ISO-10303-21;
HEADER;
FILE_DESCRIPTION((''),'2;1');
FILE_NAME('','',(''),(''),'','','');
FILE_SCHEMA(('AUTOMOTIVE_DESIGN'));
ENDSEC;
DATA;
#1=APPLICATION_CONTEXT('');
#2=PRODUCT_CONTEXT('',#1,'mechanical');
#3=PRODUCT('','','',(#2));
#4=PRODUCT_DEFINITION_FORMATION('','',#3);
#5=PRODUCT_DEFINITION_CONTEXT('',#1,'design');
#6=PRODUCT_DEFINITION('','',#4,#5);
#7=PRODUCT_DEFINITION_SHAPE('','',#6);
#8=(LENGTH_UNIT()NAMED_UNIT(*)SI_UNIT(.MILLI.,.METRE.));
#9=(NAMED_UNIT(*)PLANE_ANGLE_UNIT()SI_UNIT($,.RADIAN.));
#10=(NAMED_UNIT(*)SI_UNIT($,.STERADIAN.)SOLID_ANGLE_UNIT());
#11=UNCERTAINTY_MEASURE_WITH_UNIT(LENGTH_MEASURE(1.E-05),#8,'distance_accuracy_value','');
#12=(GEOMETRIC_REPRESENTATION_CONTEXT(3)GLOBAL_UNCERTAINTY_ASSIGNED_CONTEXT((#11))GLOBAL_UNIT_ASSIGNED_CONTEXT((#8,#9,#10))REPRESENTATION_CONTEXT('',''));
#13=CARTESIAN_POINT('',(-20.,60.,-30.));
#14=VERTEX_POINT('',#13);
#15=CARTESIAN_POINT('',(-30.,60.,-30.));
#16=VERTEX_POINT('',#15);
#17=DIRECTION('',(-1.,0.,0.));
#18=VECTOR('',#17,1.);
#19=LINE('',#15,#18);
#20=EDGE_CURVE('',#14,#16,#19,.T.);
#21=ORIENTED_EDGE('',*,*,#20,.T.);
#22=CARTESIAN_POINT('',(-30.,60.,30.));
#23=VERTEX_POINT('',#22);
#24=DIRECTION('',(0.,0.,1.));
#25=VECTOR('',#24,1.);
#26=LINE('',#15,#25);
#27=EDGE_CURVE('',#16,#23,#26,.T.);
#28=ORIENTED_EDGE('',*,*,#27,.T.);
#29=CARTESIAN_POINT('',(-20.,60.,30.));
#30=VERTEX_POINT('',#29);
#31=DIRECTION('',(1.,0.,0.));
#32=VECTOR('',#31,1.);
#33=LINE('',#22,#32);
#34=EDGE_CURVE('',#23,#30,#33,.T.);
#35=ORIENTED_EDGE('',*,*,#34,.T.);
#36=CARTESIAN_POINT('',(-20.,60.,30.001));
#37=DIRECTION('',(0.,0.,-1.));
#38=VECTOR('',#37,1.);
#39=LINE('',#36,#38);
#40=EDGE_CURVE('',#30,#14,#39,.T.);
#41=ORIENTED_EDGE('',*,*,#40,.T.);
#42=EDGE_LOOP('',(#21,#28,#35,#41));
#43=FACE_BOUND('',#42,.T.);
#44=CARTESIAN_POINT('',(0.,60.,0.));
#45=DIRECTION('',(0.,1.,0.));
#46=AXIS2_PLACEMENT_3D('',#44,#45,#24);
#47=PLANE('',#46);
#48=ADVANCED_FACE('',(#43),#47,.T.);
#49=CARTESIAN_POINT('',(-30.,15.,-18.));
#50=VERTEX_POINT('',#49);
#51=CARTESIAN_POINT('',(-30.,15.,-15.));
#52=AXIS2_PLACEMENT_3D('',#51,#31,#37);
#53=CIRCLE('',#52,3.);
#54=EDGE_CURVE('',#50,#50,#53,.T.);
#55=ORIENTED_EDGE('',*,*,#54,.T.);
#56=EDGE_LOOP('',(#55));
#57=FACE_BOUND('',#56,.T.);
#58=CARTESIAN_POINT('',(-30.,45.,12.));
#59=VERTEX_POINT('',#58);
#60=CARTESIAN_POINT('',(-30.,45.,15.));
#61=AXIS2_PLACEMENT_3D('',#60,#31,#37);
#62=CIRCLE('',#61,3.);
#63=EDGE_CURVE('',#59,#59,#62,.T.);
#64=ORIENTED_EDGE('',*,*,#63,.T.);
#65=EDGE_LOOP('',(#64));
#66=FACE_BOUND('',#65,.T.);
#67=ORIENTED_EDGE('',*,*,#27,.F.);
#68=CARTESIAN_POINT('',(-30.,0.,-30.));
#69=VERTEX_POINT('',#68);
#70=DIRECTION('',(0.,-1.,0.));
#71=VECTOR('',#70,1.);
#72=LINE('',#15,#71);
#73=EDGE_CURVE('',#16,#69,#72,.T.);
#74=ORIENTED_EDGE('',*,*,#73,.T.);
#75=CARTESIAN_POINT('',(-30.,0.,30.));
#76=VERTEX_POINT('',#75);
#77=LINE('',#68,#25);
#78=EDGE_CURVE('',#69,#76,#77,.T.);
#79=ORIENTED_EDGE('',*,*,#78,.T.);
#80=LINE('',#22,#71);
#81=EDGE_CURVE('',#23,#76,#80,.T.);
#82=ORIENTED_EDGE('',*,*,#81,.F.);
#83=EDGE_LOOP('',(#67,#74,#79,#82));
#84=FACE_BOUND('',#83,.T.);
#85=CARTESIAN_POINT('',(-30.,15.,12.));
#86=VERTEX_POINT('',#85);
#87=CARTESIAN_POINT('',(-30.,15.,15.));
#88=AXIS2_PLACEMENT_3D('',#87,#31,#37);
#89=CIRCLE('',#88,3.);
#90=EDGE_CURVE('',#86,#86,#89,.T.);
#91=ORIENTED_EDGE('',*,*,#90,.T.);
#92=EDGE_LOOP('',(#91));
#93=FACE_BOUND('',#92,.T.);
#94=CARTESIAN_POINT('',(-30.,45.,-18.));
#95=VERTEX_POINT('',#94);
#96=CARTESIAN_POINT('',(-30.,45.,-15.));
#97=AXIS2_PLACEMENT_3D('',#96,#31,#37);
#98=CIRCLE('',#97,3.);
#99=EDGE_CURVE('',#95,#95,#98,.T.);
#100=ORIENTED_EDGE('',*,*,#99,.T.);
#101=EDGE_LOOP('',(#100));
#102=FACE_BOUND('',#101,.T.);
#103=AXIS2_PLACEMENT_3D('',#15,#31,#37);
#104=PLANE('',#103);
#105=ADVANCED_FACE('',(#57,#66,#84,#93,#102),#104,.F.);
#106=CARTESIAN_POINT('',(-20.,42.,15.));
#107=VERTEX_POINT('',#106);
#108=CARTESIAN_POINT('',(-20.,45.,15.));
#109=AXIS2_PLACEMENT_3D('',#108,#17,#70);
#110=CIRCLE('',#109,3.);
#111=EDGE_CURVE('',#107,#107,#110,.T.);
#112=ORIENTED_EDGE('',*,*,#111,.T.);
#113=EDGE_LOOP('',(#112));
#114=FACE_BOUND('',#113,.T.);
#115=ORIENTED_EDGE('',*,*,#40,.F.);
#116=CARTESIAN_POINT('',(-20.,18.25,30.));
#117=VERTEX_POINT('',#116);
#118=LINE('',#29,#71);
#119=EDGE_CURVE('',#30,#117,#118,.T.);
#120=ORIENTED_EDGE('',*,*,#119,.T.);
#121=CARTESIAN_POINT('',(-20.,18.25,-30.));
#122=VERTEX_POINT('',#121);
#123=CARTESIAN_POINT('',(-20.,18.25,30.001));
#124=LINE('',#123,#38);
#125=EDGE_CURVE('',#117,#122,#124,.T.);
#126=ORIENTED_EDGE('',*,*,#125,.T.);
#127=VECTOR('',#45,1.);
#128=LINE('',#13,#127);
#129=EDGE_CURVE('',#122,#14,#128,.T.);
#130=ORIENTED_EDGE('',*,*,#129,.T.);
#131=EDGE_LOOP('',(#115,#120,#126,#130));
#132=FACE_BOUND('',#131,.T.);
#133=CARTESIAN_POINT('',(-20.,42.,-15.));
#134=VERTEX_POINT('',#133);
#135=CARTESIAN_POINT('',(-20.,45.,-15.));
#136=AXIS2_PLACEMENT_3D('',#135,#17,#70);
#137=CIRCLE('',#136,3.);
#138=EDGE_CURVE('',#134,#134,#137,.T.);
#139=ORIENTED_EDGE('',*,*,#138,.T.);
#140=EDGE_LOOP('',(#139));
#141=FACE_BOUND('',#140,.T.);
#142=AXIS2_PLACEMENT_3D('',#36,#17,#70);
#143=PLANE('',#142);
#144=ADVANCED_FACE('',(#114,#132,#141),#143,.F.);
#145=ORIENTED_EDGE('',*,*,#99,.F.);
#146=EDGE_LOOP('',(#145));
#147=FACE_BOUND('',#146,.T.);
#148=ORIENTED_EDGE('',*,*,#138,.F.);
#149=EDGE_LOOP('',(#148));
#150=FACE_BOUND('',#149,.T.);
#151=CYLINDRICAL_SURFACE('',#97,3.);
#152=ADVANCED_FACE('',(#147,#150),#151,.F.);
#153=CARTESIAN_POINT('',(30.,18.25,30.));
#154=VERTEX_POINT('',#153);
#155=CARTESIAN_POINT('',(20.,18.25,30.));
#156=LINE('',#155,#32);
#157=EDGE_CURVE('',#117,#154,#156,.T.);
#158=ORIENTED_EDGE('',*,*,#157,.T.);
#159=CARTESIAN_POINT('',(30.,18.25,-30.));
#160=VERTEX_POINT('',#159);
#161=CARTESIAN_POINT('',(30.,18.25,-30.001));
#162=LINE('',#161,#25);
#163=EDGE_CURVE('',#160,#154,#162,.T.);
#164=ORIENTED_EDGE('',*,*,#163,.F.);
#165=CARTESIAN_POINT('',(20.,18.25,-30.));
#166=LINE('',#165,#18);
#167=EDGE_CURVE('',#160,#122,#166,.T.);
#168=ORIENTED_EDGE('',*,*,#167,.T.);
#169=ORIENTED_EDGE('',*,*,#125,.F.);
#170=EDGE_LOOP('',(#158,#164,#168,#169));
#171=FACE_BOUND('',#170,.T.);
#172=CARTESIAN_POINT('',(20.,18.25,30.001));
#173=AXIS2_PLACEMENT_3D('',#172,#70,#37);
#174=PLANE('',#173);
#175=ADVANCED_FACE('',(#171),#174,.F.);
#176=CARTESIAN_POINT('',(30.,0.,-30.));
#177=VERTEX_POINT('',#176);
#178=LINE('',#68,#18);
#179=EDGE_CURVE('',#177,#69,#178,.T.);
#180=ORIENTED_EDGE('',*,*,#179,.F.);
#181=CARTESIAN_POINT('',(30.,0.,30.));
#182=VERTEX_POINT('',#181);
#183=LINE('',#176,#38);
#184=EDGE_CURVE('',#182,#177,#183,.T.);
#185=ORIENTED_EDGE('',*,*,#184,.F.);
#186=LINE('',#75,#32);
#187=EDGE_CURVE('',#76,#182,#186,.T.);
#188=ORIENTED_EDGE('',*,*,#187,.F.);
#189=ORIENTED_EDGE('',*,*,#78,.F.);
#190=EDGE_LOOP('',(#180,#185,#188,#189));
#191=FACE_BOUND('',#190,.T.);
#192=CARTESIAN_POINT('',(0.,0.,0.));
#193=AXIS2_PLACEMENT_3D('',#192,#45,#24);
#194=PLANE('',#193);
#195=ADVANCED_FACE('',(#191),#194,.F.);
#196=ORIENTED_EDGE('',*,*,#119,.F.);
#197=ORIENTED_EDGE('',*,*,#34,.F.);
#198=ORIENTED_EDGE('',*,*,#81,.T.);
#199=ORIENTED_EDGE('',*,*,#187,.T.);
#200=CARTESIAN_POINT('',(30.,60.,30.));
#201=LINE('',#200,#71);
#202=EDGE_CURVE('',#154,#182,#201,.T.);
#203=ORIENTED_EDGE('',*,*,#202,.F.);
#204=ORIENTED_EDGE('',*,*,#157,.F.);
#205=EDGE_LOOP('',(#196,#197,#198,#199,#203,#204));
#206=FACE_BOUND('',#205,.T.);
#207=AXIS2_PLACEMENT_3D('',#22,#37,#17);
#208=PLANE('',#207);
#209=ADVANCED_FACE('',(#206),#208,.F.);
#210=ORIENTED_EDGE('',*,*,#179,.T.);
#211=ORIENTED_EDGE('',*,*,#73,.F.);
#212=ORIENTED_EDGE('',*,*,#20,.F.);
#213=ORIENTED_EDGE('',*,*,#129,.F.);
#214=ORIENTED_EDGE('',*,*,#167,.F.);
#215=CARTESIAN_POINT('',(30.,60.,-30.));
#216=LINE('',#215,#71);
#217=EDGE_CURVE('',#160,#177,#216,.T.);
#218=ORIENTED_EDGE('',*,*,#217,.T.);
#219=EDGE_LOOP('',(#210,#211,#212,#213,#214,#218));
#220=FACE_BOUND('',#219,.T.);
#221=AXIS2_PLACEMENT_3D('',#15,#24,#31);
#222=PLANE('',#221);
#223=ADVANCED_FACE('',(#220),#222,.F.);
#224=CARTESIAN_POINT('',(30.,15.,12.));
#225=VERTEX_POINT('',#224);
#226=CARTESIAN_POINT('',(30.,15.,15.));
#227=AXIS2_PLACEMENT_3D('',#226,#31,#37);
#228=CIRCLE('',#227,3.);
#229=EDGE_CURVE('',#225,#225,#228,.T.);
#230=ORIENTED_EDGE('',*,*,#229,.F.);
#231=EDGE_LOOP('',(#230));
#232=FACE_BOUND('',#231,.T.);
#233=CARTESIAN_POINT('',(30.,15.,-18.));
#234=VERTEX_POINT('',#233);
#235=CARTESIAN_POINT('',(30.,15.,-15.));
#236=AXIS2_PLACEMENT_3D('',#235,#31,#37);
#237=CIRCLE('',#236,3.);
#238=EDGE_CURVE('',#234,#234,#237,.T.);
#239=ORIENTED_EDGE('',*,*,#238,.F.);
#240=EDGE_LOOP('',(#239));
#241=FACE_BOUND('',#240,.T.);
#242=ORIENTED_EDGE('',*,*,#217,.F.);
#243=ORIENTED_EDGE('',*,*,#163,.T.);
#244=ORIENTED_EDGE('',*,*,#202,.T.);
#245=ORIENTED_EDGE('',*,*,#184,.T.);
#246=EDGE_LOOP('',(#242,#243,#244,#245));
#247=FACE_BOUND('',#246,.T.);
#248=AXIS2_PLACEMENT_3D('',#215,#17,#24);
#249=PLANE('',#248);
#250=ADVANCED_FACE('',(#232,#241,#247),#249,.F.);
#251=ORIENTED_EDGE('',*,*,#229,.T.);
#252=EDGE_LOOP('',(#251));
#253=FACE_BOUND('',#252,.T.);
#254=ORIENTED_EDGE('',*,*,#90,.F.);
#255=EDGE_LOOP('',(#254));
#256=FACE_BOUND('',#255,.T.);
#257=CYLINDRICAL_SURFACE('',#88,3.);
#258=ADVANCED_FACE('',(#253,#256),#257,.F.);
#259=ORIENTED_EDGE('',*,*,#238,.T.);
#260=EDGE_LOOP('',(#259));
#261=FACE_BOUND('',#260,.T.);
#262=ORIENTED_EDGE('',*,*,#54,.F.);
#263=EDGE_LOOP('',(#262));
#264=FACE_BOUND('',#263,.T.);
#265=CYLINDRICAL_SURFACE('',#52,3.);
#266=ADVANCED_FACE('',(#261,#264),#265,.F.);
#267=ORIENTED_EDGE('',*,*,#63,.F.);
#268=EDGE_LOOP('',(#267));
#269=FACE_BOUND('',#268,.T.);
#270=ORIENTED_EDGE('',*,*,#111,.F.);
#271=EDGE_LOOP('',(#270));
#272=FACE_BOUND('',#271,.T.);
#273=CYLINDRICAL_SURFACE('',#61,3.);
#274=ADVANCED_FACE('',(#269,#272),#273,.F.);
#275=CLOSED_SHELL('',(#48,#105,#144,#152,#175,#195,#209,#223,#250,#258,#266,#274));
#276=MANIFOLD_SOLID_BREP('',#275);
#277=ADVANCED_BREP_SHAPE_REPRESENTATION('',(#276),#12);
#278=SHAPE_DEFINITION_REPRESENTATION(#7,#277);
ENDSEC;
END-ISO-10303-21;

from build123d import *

# Parameters (mm, degrees)
SKETCH1_W            = 60
SKETCH1_H            = 60
BOSS_EXTRUDE1_DEPTH  = 60
SKETCH2_R            = 3
CUT_EXTRUDE1_DEPTH   = 61
LPATTERN1_COUNT      = 2
LPATTERN1_PITCH      = 30
LPATTERN1_COUNT_DIR2 = 2
LPATTERN1_PITCH_DIR2 = 30
CUT_EXTRUDE3_REACH   = 62
SKETCH4_W            = 40
SKETCH4_H            = 41.75
CUT_EXTRUDE5_REACH   = 62
SKETCH6_W            = 10
SKETCH6_H            = 41.75


with BuildPart() as part:
    # Sketch1 → Boss-Extrude1 (new body)
    with BuildSketch(Plane(origin=(0, 0, 0), x_dir=(1, 0, 0), z_dir=(0, 1, 0))):
        Rectangle(SKETCH1_W, SKETCH1_H)
    extrude(amount=BOSS_EXTRUDE1_DEPTH)

    # Sketch2 → Cut-Extrude1 (cut, through all)
    with BuildSketch(Plane(origin=(30, 0, 0), x_dir=(0, 0, -1), z_dir=(1, 0, 0))):
        with Locations((-15, 45)):
            Circle(SKETCH2_R)
    cut_extrude1 = extrude(amount=-CUT_EXTRUDE1_DEPTH, mode=Mode.SUBTRACT)

    # LPattern1: Cut-Extrude1 2 × 2
    with Locations(*[(0, -j * LPATTERN1_PITCH_DIR2, -i * LPATTERN1_PITCH) for i in range(LPATTERN1_COUNT) for j in range(LPATTERN1_COUNT_DIR2) if (i, j) != (0, 0)]):
        add(cut_extrude1, mode=Mode.SUBTRACT)

    # Sketch4 → Cut-Extrude3 (cut, up to next)
    with BuildSketch(Plane(origin=(0, 0, -30), x_dir=(-1, 0, 0), z_dir=(0, 0, -1)), mode=Mode.PRIVATE) as cut_extrude3_sk1:
        with Locations((0, 39.125)):
            Rectangle(SKETCH4_W, SKETCH4_H)
    cut_extrude3_tool1 = extrude(cut_extrude3_sk1.sketch, amount=-CUT_EXTRUDE3_REACH, mode=Mode.PRIVATE) & part.part
    add(cut_extrude3_tool1.solids().sort_by_distance((0, 39.125, -30))[0], mode=Mode.SUBTRACT)

    # Sketch6 → Cut-Extrude5 (cut, up to next)
    with BuildSketch(Plane.XY.offset(30), mode=Mode.PRIVATE) as cut_extrude5_sk1:
        with Locations((25, 39.125)):
            Rectangle(SKETCH6_W, SKETCH6_H)
    cut_extrude5_tool1 = extrude(cut_extrude5_sk1.sketch, amount=-CUT_EXTRUDE5_REACH, mode=Mode.PRIVATE) & part.part
    add(cut_extrude5_tool1.solids().sort_by_distance((25, 39.125, 30))[0], mode=Mode.SUBTRACT)


solid = part.part
